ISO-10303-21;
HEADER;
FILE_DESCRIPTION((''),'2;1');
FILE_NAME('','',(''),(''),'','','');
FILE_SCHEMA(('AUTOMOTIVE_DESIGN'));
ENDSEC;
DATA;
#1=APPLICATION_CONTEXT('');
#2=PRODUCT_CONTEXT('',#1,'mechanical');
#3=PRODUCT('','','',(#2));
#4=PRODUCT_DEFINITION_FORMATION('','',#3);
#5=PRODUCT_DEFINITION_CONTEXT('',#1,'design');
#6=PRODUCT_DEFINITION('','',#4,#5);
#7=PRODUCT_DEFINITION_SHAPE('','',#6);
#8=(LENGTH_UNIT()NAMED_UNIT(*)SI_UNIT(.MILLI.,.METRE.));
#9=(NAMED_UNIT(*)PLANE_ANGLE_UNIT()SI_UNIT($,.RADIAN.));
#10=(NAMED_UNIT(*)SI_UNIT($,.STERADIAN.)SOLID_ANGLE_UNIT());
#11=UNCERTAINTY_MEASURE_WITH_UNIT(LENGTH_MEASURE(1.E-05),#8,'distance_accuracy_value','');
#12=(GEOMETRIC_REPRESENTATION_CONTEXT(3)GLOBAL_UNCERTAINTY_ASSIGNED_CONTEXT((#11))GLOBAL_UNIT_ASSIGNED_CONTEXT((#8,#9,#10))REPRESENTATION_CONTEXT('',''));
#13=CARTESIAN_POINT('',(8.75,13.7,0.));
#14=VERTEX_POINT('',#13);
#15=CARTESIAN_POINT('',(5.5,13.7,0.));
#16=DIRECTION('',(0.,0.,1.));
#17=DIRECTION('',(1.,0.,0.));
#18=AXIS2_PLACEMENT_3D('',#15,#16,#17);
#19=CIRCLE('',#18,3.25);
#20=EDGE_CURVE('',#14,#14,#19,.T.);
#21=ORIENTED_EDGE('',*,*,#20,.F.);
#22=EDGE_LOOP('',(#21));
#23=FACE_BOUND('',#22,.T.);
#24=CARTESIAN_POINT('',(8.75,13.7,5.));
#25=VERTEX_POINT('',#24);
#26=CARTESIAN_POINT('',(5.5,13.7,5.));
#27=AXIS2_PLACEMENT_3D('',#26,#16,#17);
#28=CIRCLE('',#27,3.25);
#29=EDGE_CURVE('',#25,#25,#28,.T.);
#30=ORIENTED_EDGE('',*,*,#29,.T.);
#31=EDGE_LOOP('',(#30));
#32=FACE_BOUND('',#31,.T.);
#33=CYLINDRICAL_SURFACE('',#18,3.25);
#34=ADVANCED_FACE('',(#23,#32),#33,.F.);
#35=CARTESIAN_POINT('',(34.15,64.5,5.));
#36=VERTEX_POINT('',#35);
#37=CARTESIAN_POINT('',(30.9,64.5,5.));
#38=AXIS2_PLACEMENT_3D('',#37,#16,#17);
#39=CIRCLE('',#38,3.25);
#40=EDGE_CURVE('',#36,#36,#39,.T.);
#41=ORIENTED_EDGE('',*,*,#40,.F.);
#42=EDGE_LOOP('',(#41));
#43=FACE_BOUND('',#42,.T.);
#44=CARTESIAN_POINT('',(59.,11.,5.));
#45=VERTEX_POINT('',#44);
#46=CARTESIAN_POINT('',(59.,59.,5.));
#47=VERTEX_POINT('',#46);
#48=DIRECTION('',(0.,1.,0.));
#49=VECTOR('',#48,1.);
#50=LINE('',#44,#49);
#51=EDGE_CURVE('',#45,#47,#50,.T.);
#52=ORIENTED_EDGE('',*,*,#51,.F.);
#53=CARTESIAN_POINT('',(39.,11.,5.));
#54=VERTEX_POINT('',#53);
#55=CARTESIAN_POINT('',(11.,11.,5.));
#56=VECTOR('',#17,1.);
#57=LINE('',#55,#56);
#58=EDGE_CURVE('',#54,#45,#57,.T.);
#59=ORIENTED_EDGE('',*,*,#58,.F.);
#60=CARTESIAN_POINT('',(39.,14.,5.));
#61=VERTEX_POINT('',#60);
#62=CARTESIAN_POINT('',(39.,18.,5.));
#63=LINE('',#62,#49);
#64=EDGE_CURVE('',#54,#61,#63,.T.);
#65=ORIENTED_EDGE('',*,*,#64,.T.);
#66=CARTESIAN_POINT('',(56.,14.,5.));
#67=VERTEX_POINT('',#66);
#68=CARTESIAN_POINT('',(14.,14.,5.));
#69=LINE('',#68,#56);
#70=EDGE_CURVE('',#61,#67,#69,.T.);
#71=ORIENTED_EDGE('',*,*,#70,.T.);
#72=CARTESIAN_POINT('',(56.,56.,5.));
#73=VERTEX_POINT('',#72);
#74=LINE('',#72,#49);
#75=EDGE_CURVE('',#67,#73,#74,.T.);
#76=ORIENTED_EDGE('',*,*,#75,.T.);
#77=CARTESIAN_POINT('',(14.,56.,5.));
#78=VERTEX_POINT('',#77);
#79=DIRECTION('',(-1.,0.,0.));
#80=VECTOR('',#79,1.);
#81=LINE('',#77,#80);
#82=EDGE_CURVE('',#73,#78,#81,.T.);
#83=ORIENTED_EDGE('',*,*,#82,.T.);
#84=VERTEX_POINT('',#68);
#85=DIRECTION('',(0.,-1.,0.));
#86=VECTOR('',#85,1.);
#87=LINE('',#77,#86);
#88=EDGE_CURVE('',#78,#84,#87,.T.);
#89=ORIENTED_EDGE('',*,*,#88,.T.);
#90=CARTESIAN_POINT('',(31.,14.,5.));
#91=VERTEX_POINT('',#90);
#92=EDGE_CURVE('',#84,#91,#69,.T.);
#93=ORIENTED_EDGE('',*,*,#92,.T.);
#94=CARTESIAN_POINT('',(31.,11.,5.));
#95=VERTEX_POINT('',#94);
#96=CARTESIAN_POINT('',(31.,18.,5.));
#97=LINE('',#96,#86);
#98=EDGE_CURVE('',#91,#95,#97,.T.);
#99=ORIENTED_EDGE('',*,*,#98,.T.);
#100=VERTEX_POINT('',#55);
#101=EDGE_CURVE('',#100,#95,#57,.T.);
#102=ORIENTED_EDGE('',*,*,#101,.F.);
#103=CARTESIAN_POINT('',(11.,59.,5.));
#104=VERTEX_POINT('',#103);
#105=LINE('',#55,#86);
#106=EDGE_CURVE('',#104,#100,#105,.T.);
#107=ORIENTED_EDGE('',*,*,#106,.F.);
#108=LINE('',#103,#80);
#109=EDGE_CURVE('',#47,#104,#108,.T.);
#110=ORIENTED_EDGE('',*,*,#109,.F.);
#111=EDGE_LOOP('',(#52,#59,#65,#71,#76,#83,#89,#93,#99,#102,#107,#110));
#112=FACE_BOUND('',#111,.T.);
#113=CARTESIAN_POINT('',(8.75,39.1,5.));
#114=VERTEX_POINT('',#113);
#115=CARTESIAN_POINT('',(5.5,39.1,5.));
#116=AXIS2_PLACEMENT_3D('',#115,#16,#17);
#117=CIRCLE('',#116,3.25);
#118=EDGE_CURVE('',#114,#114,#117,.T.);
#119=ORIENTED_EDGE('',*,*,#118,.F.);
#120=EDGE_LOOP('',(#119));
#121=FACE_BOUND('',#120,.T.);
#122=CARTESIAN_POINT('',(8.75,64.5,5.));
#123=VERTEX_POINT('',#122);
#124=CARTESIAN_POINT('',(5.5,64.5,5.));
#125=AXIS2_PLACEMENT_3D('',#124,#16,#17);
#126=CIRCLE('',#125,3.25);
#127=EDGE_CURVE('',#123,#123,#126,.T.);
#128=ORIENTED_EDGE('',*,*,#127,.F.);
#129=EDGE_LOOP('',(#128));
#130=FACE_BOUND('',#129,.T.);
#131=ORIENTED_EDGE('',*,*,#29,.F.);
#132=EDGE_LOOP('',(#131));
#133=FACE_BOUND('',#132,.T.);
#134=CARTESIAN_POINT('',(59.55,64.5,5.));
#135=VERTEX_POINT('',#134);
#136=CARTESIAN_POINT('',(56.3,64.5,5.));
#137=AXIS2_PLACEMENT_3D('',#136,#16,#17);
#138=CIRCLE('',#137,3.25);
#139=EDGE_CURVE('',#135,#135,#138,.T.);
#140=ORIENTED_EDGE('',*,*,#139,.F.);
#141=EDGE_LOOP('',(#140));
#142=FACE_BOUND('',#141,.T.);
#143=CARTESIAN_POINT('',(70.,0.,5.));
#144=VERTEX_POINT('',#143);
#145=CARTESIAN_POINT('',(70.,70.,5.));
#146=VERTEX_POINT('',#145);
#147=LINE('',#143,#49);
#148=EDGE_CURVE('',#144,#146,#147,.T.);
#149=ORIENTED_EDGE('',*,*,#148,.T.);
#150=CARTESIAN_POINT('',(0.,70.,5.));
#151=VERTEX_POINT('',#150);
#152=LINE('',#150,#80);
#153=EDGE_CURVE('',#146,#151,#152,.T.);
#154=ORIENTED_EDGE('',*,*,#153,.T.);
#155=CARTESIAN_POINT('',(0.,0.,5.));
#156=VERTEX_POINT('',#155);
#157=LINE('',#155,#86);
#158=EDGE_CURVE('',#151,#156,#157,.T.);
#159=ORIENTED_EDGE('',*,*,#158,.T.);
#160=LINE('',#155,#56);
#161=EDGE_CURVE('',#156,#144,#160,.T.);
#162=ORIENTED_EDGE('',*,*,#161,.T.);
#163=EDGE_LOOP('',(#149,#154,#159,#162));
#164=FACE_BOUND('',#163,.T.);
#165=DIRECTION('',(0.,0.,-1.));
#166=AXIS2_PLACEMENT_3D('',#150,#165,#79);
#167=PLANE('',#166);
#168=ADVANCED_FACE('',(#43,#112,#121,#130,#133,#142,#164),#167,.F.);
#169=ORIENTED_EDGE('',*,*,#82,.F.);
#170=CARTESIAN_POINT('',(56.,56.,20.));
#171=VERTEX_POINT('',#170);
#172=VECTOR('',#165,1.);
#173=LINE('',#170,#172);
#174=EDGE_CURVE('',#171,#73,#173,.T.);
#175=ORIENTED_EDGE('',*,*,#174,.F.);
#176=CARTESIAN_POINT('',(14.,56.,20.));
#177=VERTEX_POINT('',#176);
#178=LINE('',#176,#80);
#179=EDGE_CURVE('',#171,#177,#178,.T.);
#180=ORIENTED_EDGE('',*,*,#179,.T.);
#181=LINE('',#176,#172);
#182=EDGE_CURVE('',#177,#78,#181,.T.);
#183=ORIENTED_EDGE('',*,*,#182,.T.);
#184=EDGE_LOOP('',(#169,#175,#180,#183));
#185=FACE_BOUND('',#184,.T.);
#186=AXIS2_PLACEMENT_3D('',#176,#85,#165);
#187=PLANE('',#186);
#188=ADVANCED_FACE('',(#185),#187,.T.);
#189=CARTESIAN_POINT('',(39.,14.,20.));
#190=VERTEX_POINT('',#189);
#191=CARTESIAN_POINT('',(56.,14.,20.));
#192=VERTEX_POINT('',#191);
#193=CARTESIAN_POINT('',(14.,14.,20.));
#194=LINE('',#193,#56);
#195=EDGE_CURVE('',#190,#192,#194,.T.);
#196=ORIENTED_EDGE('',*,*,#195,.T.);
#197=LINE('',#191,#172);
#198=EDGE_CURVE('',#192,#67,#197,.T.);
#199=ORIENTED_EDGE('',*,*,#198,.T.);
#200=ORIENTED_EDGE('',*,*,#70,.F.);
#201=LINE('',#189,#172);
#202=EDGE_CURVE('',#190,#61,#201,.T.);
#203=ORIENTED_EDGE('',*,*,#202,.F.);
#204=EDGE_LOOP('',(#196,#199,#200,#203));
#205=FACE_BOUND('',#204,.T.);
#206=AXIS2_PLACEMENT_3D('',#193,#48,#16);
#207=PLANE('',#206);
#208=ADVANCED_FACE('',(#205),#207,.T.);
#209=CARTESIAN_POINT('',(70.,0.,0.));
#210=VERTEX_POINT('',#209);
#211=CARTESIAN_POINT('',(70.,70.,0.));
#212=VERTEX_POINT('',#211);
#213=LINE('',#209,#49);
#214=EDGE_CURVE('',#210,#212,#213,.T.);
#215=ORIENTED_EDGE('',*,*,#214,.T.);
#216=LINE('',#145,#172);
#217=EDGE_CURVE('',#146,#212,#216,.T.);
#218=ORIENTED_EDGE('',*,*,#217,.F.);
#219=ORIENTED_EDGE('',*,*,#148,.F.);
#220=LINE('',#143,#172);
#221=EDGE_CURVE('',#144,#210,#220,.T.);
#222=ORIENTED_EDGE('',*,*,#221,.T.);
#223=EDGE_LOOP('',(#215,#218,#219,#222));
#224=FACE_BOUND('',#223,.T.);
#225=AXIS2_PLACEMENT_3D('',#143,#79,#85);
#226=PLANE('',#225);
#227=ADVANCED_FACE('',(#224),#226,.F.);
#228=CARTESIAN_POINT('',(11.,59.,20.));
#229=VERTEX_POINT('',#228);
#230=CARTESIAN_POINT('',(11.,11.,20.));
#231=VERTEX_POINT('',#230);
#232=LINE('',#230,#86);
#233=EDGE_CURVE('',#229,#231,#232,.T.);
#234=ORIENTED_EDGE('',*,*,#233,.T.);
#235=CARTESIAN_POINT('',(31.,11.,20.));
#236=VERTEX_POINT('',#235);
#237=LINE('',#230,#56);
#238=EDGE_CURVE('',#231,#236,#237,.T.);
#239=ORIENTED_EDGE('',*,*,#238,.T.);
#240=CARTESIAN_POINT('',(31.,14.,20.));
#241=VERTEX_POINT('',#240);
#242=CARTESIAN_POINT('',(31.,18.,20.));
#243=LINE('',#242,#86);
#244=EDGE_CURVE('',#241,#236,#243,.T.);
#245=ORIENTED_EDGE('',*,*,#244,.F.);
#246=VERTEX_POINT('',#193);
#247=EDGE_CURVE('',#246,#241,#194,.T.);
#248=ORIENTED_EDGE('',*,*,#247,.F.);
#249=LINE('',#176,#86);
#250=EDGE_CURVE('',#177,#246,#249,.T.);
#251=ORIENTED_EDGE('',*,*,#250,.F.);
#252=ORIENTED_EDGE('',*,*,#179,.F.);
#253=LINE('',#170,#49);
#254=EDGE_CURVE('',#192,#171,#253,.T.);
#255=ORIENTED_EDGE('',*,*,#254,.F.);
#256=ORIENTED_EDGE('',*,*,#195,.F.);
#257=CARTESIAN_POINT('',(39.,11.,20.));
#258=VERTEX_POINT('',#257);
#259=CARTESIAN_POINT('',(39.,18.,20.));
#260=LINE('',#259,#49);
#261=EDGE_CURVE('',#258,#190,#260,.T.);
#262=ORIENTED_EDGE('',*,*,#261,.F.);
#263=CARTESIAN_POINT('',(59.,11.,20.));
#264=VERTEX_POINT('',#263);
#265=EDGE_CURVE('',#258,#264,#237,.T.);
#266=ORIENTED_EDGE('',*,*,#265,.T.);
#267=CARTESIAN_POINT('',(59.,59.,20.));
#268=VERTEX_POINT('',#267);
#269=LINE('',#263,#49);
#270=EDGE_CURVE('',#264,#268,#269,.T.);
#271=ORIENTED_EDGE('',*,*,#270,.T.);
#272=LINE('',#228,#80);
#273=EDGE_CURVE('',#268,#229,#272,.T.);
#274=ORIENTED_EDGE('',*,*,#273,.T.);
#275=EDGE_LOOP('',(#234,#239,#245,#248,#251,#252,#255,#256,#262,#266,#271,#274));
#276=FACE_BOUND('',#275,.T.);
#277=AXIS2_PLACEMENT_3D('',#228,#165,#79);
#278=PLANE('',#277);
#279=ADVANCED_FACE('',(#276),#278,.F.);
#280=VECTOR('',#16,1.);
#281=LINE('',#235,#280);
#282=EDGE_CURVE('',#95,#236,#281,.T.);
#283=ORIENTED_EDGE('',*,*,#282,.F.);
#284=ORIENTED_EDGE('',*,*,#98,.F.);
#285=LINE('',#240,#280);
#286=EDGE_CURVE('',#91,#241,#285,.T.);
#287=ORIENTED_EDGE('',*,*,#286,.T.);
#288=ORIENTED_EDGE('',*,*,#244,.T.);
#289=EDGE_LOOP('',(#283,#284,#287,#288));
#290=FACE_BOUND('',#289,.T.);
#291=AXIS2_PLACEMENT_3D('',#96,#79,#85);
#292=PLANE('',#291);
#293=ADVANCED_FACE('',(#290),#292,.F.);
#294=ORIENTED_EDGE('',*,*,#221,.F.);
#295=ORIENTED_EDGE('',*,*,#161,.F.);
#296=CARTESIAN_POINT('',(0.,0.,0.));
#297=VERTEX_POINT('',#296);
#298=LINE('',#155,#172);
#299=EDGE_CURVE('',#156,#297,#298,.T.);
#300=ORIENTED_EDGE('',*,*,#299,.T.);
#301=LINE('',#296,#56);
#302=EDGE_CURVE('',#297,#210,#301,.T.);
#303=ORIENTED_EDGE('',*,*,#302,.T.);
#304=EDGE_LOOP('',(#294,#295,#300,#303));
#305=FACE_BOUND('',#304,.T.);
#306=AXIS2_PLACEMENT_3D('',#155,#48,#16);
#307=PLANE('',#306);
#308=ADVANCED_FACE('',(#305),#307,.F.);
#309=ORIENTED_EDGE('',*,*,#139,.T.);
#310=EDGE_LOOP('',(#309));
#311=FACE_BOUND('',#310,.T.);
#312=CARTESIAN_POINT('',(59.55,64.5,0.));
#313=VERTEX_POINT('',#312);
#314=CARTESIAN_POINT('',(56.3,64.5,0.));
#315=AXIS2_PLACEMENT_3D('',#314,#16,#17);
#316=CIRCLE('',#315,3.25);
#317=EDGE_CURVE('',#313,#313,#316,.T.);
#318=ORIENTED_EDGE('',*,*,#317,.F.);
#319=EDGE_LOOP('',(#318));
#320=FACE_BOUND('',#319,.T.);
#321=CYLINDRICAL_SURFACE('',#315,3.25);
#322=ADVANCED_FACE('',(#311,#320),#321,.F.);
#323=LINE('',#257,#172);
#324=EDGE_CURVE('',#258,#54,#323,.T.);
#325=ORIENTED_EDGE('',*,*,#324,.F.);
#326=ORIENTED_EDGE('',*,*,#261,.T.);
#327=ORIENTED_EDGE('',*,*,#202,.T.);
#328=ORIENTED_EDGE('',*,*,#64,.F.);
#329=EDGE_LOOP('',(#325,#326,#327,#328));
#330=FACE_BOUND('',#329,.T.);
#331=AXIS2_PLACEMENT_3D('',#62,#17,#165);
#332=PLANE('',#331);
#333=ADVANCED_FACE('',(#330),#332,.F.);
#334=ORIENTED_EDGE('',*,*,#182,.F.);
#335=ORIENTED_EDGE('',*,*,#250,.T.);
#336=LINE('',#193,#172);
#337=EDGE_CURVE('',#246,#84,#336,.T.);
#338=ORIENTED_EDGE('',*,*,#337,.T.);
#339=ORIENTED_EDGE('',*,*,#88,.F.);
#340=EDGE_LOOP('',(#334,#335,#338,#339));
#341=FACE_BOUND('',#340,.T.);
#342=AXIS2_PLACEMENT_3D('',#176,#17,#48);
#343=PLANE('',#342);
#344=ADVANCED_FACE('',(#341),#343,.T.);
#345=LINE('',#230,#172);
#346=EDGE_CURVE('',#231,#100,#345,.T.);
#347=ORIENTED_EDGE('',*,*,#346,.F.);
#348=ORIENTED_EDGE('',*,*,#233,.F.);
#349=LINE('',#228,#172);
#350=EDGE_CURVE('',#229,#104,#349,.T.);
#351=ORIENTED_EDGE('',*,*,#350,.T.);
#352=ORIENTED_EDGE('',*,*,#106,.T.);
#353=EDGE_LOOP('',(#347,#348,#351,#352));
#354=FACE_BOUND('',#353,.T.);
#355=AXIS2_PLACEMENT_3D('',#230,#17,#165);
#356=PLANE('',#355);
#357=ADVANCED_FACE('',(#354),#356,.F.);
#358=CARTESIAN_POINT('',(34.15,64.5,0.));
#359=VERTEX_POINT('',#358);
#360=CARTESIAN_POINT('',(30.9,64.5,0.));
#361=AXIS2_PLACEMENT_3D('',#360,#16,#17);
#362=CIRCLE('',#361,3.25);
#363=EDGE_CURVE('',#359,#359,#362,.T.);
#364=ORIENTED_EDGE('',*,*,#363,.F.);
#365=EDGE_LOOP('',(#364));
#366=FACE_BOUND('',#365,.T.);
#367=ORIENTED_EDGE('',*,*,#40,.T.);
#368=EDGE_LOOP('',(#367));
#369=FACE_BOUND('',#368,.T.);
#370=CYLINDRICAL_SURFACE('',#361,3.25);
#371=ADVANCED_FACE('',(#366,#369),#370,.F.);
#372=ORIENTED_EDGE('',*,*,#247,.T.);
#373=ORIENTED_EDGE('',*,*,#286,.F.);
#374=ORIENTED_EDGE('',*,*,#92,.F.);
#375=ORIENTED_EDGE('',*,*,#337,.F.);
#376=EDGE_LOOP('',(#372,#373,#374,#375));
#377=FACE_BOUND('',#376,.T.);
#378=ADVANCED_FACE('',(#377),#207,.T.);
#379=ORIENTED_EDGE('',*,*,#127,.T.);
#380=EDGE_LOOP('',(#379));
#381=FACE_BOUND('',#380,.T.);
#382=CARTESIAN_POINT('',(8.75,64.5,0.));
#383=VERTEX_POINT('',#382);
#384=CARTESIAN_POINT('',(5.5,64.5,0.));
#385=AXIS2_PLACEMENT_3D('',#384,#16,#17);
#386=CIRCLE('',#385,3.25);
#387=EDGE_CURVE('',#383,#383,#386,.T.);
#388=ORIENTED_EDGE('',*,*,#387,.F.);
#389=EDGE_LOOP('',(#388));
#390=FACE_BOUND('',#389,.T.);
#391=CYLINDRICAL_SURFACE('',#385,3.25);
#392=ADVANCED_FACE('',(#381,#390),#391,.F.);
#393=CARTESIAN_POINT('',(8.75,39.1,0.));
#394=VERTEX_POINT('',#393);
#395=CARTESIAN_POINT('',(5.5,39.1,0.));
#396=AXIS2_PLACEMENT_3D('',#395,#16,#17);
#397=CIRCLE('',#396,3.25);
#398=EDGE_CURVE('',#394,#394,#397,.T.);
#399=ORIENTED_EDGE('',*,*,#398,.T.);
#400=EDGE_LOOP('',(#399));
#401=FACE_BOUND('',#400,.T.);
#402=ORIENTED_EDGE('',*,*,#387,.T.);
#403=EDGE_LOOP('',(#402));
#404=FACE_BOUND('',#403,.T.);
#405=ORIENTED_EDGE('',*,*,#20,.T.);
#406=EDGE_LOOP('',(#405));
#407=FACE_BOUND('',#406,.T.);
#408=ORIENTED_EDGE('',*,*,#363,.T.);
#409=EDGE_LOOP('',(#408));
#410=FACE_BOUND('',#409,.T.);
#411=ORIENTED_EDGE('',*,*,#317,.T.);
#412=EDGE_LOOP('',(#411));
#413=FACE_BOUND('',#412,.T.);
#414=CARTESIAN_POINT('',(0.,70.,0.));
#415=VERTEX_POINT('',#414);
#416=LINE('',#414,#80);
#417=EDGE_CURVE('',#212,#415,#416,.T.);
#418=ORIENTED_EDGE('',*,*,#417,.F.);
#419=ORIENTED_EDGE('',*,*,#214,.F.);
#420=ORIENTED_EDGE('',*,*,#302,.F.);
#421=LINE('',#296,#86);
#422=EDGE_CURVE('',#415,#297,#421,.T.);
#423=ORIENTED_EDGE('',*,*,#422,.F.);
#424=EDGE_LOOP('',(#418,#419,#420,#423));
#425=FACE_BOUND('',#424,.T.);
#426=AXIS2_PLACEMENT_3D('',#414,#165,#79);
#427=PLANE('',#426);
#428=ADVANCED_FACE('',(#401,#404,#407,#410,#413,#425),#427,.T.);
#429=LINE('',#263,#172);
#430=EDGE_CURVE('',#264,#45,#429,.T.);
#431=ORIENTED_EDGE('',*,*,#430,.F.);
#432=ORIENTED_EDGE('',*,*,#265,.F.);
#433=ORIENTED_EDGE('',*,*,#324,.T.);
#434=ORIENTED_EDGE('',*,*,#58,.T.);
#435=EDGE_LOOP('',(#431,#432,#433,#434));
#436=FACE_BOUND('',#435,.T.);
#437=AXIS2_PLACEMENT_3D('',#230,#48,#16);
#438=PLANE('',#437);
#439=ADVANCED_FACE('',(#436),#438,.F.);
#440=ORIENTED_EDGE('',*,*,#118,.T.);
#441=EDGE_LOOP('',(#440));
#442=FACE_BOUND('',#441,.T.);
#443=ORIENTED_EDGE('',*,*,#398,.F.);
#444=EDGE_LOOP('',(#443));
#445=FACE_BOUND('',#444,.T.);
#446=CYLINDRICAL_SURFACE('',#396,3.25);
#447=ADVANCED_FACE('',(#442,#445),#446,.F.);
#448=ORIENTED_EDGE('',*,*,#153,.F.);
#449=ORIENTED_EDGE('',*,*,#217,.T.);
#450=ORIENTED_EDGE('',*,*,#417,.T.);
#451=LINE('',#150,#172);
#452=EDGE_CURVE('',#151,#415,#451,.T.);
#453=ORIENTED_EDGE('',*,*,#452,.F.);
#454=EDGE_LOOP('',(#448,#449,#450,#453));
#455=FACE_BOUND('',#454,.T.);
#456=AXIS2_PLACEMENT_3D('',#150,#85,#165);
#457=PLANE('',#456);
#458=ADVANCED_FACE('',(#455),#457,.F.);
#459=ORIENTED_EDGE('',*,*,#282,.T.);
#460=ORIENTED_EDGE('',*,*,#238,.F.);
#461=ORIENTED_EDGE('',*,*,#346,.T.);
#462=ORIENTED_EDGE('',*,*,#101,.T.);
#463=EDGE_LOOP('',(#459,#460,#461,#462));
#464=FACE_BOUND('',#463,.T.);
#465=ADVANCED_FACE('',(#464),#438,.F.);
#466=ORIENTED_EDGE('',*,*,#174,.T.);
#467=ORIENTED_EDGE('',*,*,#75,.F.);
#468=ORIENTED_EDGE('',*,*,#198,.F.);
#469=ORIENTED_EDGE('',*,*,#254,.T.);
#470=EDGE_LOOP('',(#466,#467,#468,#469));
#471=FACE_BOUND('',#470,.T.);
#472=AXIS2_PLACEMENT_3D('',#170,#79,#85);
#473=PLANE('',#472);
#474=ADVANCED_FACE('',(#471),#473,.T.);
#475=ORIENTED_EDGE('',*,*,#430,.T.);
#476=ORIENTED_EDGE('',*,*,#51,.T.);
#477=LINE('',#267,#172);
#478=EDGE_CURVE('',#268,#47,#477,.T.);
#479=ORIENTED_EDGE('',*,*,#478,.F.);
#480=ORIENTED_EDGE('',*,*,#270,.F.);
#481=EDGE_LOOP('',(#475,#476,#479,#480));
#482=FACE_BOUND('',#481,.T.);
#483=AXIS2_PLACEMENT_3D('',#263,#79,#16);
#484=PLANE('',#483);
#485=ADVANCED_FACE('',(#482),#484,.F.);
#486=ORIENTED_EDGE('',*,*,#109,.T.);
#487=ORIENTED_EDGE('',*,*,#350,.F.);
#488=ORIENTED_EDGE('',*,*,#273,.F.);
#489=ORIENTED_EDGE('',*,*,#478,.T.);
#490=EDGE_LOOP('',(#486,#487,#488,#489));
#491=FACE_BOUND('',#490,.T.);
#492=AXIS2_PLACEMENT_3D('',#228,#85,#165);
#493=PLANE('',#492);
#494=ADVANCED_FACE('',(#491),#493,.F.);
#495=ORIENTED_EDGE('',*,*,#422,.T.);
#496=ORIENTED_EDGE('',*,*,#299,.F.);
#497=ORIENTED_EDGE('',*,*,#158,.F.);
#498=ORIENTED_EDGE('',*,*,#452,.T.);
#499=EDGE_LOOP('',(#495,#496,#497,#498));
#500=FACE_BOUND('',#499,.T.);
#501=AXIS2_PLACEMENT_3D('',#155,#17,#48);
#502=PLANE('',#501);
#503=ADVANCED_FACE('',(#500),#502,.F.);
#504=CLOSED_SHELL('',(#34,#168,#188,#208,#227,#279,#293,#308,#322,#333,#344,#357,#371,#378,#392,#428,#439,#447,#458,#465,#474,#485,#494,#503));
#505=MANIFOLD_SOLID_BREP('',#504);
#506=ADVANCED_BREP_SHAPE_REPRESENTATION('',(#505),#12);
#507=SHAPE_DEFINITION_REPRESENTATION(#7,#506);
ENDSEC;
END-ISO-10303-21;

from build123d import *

# Parameters (mm, degrees)
SKETCH1_W          = 70
SKETCH1_H          = 70
EXTRUDE1_DEPTH     = 5
SKETCH2_W          = 48
SKETCH2_H          = 48
SKETCH2_W_2        = 42
SKETCH2_H_2        = 42
EXTRUDE2_DEPTH     = 15
SKETCH5_R          = 3.25
CUT_EXTRUDE2_DEPTH = 101.124921973
SKETCH6_W          = 8
SKETCH6_H          = 8
CUT_EXTRUDE3_DEPTH = 15


with BuildPart() as part:
    # Sketch1 → Extrude1 (new body)
    with BuildSketch(Plane.XY):
        with Locations((35, 35)):
            Rectangle(SKETCH1_W, SKETCH1_H)
    extrude(amount=EXTRUDE1_DEPTH)

    # Sketch2 → Extrude2 (add)
    with BuildSketch(Plane.XY.offset(5)):
        with Locations((35, 35)):
            Rectangle(SKETCH2_W, SKETCH2_H)
        with Locations((35, 35)):
            Rectangle(SKETCH2_W_2, SKETCH2_H_2, mode=Mode.SUBTRACT)
    extrude(amount=EXTRUDE2_DEPTH)

    # Sketch5 → Cut-Extrude2 (cut, through all)
    with BuildSketch(Plane.XY.offset(5)):
        with Locations((5.5, 64.5)):
            Circle(SKETCH5_R)
        with Locations((30.9, 64.5)):
            Circle(SKETCH5_R)
        with Locations((56.3, 64.5)):
            Circle(SKETCH5_R)
        with Locations((5.5, 39.1)):
            Circle(SKETCH5_R)
        with Locations((5.5, 13.7)):
            Circle(SKETCH5_R)
    extrude(amount=-CUT_EXTRUDE2_DEPTH, mode=Mode.SUBTRACT)

    # Sketch6 → Cut-Extrude3 (cut)
    with BuildSketch(Plane.XY.offset(20)):
        with Locations((35, 14)):
            Rectangle(SKETCH6_W, SKETCH6_H)
    extrude(amount=-CUT_EXTRUDE3_DEPTH, mode=Mode.SUBTRACT)


solid = part.part
